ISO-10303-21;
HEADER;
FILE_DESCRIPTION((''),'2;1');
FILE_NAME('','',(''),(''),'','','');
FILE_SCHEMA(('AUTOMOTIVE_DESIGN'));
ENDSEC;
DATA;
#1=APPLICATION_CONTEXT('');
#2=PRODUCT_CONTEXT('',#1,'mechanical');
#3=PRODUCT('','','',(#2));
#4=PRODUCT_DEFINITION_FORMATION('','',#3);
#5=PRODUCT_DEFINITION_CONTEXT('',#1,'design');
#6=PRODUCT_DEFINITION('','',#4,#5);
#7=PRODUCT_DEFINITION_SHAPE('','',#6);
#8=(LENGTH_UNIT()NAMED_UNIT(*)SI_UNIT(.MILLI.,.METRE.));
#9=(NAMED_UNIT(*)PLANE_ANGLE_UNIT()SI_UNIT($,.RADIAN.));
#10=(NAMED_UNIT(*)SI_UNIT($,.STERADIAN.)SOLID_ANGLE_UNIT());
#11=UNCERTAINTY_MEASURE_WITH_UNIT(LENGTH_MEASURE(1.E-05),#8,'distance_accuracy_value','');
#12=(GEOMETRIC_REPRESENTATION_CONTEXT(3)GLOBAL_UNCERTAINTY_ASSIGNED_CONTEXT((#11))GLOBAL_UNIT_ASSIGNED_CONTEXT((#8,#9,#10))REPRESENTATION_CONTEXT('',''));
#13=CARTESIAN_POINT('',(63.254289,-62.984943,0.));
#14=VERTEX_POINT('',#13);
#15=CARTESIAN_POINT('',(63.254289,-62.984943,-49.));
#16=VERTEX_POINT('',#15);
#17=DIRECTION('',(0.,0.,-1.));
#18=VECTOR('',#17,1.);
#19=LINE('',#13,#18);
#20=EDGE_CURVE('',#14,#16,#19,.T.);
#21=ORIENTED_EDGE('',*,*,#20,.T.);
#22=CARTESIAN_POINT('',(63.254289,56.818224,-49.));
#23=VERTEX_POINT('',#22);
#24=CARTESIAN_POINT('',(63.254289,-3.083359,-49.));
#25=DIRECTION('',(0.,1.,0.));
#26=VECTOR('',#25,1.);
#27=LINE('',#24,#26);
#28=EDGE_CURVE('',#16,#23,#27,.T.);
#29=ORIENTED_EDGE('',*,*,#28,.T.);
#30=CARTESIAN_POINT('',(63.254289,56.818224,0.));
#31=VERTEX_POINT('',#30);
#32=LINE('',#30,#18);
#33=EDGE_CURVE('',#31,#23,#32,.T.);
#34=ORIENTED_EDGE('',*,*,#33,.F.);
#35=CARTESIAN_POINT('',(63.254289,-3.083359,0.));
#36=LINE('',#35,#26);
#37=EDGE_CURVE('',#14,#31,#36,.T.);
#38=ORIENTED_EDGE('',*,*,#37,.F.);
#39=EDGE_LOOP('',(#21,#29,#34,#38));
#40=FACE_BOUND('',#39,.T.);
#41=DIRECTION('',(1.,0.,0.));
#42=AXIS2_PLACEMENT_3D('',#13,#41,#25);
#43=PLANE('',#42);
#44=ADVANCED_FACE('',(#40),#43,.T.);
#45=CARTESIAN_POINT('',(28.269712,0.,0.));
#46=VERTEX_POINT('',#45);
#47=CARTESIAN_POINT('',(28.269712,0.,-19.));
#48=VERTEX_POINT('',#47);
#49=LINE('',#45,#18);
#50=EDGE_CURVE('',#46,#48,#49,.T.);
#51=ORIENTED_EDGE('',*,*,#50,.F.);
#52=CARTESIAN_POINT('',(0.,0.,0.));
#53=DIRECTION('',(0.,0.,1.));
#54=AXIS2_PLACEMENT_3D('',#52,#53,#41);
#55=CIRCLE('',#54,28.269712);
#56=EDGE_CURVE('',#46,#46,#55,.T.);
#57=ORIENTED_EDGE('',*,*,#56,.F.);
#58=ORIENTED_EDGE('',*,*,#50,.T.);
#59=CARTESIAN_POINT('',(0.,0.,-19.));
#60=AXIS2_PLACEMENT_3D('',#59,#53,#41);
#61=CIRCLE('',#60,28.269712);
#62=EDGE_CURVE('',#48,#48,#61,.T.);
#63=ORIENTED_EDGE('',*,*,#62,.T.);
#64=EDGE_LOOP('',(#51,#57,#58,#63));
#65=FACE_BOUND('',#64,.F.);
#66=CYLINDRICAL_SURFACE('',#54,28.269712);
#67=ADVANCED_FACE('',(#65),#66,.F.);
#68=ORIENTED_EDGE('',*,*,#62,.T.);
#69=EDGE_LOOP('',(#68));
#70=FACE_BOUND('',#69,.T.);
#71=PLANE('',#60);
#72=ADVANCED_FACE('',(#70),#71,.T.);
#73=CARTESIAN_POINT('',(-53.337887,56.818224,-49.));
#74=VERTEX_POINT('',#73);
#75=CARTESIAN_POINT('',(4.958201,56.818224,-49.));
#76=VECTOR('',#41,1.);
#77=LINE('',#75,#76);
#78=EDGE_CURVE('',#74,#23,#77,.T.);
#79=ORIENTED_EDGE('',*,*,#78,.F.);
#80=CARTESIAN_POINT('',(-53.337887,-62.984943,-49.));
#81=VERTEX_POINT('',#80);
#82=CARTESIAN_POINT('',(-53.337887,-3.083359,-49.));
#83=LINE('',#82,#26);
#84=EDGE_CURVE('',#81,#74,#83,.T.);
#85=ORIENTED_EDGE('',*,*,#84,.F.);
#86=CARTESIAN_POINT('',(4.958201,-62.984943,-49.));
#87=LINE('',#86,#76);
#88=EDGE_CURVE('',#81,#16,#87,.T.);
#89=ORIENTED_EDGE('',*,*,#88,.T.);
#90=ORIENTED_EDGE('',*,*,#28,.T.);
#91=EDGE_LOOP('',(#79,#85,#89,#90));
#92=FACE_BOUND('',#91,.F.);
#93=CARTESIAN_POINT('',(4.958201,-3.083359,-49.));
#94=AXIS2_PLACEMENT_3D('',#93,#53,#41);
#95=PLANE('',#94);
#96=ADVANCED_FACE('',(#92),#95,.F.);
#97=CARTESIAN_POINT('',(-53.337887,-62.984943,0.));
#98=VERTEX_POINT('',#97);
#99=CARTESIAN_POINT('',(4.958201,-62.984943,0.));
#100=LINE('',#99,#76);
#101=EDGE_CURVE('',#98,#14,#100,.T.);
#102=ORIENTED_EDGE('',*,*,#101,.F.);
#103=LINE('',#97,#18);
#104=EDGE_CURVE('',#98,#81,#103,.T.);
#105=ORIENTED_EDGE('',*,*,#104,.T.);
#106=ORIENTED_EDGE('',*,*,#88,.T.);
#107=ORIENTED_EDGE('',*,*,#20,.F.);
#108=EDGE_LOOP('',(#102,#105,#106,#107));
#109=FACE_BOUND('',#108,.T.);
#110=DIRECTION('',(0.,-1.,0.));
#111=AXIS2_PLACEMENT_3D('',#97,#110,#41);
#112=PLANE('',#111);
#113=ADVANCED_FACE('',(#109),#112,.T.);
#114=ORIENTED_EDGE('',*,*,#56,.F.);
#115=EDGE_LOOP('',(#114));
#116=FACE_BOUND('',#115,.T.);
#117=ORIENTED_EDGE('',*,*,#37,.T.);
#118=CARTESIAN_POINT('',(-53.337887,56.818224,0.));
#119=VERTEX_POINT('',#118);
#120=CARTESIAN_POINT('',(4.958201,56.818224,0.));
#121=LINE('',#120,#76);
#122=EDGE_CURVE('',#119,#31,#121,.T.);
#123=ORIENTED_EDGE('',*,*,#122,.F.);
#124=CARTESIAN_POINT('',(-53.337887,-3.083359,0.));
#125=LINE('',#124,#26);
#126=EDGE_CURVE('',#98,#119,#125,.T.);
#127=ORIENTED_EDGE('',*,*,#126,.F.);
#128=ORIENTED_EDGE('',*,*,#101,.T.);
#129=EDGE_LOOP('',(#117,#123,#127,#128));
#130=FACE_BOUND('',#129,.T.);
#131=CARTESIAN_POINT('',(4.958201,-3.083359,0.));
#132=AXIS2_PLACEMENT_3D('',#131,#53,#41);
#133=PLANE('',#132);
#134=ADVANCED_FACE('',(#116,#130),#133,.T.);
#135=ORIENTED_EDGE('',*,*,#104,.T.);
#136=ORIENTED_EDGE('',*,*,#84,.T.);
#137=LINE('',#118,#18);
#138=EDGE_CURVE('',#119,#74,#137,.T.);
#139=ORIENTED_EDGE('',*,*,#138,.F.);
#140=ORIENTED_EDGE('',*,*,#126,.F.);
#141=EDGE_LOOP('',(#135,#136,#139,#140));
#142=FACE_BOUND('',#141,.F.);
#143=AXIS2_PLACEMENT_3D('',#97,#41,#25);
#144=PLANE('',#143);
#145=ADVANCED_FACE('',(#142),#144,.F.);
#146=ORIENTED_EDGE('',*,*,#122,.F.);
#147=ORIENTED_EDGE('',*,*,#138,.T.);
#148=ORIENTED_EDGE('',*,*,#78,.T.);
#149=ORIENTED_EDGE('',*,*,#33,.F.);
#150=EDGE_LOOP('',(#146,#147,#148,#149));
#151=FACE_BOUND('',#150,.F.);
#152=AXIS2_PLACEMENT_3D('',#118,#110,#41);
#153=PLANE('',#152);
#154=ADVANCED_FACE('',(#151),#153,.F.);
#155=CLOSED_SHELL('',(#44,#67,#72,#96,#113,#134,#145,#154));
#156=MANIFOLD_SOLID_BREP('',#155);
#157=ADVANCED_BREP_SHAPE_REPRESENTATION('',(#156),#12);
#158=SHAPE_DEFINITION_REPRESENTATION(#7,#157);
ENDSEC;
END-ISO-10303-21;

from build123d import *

# Parameters (mm, degrees)
F0_W     = 116.592176
F0_H     = 119.803167
F0_R     = 28.269712
F1_DEPTH = 49
F2_DEPTH = 19


with BuildPart() as f1:
    # F0 (on Top) → F1 (new body)
    with BuildSketch(Plane.XY):
        with Locations((4.958201, -3.083359)):
            Rectangle(F0_W, F0_H)
        Circle(F0_R, mode=Mode.SUBTRACT)
        Circle(F0_R)
    extrude(amount=-F1_DEPTH)

    # F0 (on Top) → F2 (cut)
    with BuildSketch(Plane.XY):
        Circle(F0_R)
    extrude(amount=-F2_DEPTH, mode=Mode.SUBTRACT)


solid = f1.part
